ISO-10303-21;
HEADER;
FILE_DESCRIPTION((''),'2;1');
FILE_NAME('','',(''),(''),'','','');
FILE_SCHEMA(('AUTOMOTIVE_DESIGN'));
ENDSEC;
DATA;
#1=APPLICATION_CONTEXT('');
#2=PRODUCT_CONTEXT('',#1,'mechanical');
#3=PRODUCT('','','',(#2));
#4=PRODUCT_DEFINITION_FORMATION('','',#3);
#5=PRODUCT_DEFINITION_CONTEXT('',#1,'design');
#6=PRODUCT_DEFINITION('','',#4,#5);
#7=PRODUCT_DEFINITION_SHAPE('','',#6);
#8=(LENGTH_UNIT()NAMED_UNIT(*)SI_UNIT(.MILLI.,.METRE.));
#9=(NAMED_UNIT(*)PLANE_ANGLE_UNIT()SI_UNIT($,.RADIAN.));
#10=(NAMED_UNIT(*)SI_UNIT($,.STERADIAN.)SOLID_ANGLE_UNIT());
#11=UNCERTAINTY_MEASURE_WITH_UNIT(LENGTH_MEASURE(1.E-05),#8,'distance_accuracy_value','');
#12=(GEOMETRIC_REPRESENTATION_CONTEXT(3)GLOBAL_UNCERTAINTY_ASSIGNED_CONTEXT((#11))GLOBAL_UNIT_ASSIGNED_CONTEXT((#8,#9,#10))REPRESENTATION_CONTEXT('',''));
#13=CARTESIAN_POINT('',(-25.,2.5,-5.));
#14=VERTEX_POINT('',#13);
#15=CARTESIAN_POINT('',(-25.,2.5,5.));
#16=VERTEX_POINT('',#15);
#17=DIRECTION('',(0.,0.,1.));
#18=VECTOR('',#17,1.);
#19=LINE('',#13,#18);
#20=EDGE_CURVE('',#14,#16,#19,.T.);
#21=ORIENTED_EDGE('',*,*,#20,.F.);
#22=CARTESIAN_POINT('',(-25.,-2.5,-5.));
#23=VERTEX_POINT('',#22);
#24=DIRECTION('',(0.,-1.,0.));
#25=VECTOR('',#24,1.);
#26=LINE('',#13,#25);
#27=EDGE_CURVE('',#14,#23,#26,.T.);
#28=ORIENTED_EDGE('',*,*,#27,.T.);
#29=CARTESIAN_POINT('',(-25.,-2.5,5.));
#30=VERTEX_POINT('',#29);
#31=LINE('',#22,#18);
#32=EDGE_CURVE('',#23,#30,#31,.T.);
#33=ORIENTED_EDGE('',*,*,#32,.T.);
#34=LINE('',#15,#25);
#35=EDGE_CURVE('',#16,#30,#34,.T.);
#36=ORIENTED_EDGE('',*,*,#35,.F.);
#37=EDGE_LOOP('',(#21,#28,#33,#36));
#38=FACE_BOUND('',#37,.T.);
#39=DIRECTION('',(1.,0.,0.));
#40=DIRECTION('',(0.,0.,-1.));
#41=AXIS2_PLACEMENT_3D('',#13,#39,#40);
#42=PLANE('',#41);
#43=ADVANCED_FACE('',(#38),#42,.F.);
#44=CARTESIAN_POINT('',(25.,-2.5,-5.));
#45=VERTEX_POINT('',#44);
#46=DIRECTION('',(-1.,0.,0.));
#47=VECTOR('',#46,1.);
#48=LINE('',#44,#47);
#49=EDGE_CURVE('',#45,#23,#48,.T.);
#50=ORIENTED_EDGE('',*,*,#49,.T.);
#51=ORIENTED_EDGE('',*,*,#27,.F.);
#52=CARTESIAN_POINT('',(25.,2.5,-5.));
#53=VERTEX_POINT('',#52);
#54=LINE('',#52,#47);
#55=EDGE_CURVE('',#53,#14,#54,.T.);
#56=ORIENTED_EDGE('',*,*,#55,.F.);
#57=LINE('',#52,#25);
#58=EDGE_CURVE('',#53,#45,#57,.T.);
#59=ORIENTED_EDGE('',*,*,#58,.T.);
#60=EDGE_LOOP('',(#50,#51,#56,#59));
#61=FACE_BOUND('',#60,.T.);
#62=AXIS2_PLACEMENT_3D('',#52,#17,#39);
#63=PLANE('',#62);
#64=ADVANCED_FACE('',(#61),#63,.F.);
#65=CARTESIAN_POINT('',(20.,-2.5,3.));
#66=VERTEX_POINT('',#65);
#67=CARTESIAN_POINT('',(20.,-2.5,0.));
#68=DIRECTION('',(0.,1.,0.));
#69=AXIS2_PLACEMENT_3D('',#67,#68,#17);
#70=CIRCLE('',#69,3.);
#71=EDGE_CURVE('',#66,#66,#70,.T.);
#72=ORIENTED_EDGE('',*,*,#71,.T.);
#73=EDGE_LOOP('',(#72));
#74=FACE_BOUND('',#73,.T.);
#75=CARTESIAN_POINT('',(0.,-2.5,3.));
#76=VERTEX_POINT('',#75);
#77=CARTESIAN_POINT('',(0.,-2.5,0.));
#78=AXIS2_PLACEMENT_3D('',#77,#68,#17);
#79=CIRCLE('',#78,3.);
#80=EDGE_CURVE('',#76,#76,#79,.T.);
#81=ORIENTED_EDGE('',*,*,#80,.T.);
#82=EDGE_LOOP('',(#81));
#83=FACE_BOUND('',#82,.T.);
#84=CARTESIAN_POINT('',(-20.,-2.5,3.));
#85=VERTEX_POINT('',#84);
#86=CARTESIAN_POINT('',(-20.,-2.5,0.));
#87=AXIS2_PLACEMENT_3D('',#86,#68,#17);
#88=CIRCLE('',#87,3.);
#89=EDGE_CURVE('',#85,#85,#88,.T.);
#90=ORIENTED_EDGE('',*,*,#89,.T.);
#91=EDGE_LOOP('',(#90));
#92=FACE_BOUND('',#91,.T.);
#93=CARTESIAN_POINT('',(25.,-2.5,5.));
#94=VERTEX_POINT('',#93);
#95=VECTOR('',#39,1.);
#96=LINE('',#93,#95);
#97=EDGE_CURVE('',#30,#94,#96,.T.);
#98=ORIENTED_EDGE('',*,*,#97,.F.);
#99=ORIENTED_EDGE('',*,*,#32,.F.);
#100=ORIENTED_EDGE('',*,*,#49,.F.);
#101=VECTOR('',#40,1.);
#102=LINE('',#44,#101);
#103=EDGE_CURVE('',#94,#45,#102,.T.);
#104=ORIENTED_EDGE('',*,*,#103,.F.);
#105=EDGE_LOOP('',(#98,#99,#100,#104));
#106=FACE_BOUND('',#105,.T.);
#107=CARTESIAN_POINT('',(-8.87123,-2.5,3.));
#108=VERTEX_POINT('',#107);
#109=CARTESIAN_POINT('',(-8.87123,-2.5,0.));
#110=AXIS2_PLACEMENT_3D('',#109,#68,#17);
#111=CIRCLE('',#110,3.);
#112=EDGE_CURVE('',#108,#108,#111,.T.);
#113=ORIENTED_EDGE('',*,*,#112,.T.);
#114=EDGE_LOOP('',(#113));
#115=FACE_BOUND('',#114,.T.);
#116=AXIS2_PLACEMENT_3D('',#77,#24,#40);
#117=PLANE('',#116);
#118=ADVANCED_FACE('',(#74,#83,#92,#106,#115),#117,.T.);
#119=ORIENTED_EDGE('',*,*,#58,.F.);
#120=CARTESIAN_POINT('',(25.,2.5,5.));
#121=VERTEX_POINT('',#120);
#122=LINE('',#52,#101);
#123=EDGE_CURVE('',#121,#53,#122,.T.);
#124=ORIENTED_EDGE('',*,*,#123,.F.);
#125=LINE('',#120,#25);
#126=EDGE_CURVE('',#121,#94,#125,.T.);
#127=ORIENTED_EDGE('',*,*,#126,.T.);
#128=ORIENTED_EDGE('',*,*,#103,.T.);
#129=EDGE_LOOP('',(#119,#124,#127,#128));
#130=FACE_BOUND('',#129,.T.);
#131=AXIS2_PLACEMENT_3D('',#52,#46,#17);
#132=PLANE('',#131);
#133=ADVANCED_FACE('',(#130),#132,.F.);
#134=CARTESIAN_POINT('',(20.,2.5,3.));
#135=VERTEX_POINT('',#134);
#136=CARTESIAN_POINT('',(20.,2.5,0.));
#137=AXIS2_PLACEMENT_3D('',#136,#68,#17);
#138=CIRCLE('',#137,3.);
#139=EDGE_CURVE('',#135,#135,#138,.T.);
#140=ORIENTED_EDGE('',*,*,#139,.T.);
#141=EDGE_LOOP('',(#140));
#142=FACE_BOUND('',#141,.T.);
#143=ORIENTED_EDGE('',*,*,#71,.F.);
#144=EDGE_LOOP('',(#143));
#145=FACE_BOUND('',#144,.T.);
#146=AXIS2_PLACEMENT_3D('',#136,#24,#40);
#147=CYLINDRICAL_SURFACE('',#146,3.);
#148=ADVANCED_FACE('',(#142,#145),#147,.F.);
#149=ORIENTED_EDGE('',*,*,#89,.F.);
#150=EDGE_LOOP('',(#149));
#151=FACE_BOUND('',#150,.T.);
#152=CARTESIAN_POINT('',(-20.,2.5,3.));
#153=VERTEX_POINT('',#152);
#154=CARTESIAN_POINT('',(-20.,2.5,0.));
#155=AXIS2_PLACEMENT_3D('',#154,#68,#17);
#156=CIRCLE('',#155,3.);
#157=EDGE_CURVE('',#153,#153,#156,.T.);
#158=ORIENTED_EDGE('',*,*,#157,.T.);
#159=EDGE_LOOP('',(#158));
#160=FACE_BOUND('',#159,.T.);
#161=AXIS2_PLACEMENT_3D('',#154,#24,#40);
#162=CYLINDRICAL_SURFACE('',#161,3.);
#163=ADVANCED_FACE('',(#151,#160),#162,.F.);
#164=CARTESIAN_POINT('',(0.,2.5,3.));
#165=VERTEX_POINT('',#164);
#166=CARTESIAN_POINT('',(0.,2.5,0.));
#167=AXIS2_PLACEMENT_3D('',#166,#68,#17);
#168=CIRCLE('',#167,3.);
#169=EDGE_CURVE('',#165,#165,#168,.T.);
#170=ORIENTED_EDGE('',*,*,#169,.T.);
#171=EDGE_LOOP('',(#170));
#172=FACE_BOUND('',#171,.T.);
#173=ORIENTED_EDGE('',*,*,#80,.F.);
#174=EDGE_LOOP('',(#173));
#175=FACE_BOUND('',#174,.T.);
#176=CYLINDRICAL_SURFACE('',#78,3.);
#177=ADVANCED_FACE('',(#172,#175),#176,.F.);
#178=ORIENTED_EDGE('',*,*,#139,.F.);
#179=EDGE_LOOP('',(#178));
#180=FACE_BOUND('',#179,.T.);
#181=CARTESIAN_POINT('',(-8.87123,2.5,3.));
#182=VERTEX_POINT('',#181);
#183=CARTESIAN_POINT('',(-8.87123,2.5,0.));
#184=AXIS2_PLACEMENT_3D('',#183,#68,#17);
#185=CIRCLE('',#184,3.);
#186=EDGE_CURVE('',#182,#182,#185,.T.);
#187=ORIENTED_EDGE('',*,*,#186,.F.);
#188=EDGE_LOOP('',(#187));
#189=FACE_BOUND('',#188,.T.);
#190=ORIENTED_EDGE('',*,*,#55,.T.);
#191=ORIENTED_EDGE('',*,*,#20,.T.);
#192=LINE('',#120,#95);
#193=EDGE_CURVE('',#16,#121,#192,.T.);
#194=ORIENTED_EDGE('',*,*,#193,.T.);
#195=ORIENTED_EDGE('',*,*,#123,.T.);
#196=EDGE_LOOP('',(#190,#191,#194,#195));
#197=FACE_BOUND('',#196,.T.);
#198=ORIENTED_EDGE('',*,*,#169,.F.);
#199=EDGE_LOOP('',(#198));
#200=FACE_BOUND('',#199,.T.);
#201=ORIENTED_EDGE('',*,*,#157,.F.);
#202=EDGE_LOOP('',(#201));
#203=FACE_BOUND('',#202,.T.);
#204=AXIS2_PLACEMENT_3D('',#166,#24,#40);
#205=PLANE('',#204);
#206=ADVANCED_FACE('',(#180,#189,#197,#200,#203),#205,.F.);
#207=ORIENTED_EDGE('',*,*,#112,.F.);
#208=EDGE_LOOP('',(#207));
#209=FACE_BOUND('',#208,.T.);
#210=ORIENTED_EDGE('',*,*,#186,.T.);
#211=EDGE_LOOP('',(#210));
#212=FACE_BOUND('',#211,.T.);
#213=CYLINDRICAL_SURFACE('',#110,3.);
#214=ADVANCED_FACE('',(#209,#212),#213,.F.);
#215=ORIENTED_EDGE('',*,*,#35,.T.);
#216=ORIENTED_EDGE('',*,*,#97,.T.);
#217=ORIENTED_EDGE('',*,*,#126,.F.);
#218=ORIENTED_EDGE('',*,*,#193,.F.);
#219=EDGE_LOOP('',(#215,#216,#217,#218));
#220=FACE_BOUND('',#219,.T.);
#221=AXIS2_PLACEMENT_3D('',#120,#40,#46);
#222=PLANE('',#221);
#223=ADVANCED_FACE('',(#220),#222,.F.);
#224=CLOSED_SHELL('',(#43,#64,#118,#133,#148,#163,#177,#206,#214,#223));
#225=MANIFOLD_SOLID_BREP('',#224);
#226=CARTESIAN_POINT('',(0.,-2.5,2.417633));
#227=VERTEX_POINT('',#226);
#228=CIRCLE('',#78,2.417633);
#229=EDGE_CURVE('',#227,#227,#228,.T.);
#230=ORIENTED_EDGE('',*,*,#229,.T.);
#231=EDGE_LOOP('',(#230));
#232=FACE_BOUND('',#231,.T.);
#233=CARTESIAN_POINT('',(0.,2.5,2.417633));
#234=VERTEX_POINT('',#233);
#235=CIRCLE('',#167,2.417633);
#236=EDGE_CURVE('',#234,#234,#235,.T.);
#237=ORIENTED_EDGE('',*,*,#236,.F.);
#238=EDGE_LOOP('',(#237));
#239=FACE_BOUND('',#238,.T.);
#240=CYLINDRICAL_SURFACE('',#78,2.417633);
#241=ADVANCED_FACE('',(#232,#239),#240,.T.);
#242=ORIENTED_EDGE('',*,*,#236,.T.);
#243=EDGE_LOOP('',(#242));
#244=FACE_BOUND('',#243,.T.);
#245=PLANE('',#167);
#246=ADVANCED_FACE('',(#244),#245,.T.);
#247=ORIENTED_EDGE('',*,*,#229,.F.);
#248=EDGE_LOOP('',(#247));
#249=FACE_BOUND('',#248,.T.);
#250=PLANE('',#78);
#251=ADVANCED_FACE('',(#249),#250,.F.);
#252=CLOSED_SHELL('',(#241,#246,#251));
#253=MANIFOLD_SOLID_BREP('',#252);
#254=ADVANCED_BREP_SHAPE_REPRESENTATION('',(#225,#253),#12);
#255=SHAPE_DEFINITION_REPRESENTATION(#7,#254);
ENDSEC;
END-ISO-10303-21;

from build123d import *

# Parameters (mm, degrees)
SKETCH1_W           = 50
SKETCH1_H           = 10
SKETCH1_R           = 3
BOSS_EXTRUDE1_DEPTH = 2.5
SKETCH2_R           = 3
CUT_EXTRUDE1_DEPTH  = 26.980762114
SKETCH3_R           = 3
CUT_EXTRUDE2_DEPTH  = 26.980762114
SKETCH4_R           = 2.417633123
BOSS_EXTRUDE3_DEPTH = 5


with BuildPart() as part:
    # Sketch1 → Boss-Extrude1 (new, symmetric)
    with BuildSketch(Plane(origin=(0, 0, 0), x_dir=(1, 0, 0), z_dir=(0, 1, 0))):
        Rectangle(SKETCH1_W, SKETCH1_H)
        with Locations(Location((-20, 0, 0), (0, 0, 270))):
            Circle(SKETCH1_R, mode=Mode.SUBTRACT)
        with Locations(Location((20, 0, 0), (0, 0, 270))):
            Circle(SKETCH1_R, mode=Mode.SUBTRACT)
    extrude(amount=BOSS_EXTRUDE1_DEPTH, both=True)

    # Sketch2 → Cut-Extrude1 (cut, through all)
    with BuildSketch(Plane(origin=(0, 2.5, 0), x_dir=(1, 0, 0), z_dir=(0, 1, 0))):
        with Locations(Location((0, 0, 0), (0, 0, 270))):
            Circle(SKETCH2_R)
    extrude(amount=-CUT_EXTRUDE1_DEPTH, mode=Mode.SUBTRACT)

    # Sketch3 → Cut-Extrude2 (cut, through all)
    with BuildSketch(Plane(origin=(0, 2.5, 0), x_dir=(1, 0, 0), z_dir=(0, 1, 0))):
        with Locations(Location((-8.871229838, 0, 0), (0, 0, 270))):
            Circle(SKETCH3_R)
    extrude(amount=-CUT_EXTRUDE2_DEPTH, mode=Mode.SUBTRACT)


with BuildPart() as body_2:
    # Sketch4 → Boss-Extrude3 (new, through all)
    with BuildSketch(Plane(origin=(0, 2.5, 0), x_dir=(1, 0, 0), z_dir=(0, 1, 0))):
        with Locations(Location((0, 0, 0), (0, 0, 270))):
            Circle(SKETCH4_R)
    extrude(amount=-BOSS_EXTRUDE3_DEPTH)


solid = Compound([part.part, body_2.part])
